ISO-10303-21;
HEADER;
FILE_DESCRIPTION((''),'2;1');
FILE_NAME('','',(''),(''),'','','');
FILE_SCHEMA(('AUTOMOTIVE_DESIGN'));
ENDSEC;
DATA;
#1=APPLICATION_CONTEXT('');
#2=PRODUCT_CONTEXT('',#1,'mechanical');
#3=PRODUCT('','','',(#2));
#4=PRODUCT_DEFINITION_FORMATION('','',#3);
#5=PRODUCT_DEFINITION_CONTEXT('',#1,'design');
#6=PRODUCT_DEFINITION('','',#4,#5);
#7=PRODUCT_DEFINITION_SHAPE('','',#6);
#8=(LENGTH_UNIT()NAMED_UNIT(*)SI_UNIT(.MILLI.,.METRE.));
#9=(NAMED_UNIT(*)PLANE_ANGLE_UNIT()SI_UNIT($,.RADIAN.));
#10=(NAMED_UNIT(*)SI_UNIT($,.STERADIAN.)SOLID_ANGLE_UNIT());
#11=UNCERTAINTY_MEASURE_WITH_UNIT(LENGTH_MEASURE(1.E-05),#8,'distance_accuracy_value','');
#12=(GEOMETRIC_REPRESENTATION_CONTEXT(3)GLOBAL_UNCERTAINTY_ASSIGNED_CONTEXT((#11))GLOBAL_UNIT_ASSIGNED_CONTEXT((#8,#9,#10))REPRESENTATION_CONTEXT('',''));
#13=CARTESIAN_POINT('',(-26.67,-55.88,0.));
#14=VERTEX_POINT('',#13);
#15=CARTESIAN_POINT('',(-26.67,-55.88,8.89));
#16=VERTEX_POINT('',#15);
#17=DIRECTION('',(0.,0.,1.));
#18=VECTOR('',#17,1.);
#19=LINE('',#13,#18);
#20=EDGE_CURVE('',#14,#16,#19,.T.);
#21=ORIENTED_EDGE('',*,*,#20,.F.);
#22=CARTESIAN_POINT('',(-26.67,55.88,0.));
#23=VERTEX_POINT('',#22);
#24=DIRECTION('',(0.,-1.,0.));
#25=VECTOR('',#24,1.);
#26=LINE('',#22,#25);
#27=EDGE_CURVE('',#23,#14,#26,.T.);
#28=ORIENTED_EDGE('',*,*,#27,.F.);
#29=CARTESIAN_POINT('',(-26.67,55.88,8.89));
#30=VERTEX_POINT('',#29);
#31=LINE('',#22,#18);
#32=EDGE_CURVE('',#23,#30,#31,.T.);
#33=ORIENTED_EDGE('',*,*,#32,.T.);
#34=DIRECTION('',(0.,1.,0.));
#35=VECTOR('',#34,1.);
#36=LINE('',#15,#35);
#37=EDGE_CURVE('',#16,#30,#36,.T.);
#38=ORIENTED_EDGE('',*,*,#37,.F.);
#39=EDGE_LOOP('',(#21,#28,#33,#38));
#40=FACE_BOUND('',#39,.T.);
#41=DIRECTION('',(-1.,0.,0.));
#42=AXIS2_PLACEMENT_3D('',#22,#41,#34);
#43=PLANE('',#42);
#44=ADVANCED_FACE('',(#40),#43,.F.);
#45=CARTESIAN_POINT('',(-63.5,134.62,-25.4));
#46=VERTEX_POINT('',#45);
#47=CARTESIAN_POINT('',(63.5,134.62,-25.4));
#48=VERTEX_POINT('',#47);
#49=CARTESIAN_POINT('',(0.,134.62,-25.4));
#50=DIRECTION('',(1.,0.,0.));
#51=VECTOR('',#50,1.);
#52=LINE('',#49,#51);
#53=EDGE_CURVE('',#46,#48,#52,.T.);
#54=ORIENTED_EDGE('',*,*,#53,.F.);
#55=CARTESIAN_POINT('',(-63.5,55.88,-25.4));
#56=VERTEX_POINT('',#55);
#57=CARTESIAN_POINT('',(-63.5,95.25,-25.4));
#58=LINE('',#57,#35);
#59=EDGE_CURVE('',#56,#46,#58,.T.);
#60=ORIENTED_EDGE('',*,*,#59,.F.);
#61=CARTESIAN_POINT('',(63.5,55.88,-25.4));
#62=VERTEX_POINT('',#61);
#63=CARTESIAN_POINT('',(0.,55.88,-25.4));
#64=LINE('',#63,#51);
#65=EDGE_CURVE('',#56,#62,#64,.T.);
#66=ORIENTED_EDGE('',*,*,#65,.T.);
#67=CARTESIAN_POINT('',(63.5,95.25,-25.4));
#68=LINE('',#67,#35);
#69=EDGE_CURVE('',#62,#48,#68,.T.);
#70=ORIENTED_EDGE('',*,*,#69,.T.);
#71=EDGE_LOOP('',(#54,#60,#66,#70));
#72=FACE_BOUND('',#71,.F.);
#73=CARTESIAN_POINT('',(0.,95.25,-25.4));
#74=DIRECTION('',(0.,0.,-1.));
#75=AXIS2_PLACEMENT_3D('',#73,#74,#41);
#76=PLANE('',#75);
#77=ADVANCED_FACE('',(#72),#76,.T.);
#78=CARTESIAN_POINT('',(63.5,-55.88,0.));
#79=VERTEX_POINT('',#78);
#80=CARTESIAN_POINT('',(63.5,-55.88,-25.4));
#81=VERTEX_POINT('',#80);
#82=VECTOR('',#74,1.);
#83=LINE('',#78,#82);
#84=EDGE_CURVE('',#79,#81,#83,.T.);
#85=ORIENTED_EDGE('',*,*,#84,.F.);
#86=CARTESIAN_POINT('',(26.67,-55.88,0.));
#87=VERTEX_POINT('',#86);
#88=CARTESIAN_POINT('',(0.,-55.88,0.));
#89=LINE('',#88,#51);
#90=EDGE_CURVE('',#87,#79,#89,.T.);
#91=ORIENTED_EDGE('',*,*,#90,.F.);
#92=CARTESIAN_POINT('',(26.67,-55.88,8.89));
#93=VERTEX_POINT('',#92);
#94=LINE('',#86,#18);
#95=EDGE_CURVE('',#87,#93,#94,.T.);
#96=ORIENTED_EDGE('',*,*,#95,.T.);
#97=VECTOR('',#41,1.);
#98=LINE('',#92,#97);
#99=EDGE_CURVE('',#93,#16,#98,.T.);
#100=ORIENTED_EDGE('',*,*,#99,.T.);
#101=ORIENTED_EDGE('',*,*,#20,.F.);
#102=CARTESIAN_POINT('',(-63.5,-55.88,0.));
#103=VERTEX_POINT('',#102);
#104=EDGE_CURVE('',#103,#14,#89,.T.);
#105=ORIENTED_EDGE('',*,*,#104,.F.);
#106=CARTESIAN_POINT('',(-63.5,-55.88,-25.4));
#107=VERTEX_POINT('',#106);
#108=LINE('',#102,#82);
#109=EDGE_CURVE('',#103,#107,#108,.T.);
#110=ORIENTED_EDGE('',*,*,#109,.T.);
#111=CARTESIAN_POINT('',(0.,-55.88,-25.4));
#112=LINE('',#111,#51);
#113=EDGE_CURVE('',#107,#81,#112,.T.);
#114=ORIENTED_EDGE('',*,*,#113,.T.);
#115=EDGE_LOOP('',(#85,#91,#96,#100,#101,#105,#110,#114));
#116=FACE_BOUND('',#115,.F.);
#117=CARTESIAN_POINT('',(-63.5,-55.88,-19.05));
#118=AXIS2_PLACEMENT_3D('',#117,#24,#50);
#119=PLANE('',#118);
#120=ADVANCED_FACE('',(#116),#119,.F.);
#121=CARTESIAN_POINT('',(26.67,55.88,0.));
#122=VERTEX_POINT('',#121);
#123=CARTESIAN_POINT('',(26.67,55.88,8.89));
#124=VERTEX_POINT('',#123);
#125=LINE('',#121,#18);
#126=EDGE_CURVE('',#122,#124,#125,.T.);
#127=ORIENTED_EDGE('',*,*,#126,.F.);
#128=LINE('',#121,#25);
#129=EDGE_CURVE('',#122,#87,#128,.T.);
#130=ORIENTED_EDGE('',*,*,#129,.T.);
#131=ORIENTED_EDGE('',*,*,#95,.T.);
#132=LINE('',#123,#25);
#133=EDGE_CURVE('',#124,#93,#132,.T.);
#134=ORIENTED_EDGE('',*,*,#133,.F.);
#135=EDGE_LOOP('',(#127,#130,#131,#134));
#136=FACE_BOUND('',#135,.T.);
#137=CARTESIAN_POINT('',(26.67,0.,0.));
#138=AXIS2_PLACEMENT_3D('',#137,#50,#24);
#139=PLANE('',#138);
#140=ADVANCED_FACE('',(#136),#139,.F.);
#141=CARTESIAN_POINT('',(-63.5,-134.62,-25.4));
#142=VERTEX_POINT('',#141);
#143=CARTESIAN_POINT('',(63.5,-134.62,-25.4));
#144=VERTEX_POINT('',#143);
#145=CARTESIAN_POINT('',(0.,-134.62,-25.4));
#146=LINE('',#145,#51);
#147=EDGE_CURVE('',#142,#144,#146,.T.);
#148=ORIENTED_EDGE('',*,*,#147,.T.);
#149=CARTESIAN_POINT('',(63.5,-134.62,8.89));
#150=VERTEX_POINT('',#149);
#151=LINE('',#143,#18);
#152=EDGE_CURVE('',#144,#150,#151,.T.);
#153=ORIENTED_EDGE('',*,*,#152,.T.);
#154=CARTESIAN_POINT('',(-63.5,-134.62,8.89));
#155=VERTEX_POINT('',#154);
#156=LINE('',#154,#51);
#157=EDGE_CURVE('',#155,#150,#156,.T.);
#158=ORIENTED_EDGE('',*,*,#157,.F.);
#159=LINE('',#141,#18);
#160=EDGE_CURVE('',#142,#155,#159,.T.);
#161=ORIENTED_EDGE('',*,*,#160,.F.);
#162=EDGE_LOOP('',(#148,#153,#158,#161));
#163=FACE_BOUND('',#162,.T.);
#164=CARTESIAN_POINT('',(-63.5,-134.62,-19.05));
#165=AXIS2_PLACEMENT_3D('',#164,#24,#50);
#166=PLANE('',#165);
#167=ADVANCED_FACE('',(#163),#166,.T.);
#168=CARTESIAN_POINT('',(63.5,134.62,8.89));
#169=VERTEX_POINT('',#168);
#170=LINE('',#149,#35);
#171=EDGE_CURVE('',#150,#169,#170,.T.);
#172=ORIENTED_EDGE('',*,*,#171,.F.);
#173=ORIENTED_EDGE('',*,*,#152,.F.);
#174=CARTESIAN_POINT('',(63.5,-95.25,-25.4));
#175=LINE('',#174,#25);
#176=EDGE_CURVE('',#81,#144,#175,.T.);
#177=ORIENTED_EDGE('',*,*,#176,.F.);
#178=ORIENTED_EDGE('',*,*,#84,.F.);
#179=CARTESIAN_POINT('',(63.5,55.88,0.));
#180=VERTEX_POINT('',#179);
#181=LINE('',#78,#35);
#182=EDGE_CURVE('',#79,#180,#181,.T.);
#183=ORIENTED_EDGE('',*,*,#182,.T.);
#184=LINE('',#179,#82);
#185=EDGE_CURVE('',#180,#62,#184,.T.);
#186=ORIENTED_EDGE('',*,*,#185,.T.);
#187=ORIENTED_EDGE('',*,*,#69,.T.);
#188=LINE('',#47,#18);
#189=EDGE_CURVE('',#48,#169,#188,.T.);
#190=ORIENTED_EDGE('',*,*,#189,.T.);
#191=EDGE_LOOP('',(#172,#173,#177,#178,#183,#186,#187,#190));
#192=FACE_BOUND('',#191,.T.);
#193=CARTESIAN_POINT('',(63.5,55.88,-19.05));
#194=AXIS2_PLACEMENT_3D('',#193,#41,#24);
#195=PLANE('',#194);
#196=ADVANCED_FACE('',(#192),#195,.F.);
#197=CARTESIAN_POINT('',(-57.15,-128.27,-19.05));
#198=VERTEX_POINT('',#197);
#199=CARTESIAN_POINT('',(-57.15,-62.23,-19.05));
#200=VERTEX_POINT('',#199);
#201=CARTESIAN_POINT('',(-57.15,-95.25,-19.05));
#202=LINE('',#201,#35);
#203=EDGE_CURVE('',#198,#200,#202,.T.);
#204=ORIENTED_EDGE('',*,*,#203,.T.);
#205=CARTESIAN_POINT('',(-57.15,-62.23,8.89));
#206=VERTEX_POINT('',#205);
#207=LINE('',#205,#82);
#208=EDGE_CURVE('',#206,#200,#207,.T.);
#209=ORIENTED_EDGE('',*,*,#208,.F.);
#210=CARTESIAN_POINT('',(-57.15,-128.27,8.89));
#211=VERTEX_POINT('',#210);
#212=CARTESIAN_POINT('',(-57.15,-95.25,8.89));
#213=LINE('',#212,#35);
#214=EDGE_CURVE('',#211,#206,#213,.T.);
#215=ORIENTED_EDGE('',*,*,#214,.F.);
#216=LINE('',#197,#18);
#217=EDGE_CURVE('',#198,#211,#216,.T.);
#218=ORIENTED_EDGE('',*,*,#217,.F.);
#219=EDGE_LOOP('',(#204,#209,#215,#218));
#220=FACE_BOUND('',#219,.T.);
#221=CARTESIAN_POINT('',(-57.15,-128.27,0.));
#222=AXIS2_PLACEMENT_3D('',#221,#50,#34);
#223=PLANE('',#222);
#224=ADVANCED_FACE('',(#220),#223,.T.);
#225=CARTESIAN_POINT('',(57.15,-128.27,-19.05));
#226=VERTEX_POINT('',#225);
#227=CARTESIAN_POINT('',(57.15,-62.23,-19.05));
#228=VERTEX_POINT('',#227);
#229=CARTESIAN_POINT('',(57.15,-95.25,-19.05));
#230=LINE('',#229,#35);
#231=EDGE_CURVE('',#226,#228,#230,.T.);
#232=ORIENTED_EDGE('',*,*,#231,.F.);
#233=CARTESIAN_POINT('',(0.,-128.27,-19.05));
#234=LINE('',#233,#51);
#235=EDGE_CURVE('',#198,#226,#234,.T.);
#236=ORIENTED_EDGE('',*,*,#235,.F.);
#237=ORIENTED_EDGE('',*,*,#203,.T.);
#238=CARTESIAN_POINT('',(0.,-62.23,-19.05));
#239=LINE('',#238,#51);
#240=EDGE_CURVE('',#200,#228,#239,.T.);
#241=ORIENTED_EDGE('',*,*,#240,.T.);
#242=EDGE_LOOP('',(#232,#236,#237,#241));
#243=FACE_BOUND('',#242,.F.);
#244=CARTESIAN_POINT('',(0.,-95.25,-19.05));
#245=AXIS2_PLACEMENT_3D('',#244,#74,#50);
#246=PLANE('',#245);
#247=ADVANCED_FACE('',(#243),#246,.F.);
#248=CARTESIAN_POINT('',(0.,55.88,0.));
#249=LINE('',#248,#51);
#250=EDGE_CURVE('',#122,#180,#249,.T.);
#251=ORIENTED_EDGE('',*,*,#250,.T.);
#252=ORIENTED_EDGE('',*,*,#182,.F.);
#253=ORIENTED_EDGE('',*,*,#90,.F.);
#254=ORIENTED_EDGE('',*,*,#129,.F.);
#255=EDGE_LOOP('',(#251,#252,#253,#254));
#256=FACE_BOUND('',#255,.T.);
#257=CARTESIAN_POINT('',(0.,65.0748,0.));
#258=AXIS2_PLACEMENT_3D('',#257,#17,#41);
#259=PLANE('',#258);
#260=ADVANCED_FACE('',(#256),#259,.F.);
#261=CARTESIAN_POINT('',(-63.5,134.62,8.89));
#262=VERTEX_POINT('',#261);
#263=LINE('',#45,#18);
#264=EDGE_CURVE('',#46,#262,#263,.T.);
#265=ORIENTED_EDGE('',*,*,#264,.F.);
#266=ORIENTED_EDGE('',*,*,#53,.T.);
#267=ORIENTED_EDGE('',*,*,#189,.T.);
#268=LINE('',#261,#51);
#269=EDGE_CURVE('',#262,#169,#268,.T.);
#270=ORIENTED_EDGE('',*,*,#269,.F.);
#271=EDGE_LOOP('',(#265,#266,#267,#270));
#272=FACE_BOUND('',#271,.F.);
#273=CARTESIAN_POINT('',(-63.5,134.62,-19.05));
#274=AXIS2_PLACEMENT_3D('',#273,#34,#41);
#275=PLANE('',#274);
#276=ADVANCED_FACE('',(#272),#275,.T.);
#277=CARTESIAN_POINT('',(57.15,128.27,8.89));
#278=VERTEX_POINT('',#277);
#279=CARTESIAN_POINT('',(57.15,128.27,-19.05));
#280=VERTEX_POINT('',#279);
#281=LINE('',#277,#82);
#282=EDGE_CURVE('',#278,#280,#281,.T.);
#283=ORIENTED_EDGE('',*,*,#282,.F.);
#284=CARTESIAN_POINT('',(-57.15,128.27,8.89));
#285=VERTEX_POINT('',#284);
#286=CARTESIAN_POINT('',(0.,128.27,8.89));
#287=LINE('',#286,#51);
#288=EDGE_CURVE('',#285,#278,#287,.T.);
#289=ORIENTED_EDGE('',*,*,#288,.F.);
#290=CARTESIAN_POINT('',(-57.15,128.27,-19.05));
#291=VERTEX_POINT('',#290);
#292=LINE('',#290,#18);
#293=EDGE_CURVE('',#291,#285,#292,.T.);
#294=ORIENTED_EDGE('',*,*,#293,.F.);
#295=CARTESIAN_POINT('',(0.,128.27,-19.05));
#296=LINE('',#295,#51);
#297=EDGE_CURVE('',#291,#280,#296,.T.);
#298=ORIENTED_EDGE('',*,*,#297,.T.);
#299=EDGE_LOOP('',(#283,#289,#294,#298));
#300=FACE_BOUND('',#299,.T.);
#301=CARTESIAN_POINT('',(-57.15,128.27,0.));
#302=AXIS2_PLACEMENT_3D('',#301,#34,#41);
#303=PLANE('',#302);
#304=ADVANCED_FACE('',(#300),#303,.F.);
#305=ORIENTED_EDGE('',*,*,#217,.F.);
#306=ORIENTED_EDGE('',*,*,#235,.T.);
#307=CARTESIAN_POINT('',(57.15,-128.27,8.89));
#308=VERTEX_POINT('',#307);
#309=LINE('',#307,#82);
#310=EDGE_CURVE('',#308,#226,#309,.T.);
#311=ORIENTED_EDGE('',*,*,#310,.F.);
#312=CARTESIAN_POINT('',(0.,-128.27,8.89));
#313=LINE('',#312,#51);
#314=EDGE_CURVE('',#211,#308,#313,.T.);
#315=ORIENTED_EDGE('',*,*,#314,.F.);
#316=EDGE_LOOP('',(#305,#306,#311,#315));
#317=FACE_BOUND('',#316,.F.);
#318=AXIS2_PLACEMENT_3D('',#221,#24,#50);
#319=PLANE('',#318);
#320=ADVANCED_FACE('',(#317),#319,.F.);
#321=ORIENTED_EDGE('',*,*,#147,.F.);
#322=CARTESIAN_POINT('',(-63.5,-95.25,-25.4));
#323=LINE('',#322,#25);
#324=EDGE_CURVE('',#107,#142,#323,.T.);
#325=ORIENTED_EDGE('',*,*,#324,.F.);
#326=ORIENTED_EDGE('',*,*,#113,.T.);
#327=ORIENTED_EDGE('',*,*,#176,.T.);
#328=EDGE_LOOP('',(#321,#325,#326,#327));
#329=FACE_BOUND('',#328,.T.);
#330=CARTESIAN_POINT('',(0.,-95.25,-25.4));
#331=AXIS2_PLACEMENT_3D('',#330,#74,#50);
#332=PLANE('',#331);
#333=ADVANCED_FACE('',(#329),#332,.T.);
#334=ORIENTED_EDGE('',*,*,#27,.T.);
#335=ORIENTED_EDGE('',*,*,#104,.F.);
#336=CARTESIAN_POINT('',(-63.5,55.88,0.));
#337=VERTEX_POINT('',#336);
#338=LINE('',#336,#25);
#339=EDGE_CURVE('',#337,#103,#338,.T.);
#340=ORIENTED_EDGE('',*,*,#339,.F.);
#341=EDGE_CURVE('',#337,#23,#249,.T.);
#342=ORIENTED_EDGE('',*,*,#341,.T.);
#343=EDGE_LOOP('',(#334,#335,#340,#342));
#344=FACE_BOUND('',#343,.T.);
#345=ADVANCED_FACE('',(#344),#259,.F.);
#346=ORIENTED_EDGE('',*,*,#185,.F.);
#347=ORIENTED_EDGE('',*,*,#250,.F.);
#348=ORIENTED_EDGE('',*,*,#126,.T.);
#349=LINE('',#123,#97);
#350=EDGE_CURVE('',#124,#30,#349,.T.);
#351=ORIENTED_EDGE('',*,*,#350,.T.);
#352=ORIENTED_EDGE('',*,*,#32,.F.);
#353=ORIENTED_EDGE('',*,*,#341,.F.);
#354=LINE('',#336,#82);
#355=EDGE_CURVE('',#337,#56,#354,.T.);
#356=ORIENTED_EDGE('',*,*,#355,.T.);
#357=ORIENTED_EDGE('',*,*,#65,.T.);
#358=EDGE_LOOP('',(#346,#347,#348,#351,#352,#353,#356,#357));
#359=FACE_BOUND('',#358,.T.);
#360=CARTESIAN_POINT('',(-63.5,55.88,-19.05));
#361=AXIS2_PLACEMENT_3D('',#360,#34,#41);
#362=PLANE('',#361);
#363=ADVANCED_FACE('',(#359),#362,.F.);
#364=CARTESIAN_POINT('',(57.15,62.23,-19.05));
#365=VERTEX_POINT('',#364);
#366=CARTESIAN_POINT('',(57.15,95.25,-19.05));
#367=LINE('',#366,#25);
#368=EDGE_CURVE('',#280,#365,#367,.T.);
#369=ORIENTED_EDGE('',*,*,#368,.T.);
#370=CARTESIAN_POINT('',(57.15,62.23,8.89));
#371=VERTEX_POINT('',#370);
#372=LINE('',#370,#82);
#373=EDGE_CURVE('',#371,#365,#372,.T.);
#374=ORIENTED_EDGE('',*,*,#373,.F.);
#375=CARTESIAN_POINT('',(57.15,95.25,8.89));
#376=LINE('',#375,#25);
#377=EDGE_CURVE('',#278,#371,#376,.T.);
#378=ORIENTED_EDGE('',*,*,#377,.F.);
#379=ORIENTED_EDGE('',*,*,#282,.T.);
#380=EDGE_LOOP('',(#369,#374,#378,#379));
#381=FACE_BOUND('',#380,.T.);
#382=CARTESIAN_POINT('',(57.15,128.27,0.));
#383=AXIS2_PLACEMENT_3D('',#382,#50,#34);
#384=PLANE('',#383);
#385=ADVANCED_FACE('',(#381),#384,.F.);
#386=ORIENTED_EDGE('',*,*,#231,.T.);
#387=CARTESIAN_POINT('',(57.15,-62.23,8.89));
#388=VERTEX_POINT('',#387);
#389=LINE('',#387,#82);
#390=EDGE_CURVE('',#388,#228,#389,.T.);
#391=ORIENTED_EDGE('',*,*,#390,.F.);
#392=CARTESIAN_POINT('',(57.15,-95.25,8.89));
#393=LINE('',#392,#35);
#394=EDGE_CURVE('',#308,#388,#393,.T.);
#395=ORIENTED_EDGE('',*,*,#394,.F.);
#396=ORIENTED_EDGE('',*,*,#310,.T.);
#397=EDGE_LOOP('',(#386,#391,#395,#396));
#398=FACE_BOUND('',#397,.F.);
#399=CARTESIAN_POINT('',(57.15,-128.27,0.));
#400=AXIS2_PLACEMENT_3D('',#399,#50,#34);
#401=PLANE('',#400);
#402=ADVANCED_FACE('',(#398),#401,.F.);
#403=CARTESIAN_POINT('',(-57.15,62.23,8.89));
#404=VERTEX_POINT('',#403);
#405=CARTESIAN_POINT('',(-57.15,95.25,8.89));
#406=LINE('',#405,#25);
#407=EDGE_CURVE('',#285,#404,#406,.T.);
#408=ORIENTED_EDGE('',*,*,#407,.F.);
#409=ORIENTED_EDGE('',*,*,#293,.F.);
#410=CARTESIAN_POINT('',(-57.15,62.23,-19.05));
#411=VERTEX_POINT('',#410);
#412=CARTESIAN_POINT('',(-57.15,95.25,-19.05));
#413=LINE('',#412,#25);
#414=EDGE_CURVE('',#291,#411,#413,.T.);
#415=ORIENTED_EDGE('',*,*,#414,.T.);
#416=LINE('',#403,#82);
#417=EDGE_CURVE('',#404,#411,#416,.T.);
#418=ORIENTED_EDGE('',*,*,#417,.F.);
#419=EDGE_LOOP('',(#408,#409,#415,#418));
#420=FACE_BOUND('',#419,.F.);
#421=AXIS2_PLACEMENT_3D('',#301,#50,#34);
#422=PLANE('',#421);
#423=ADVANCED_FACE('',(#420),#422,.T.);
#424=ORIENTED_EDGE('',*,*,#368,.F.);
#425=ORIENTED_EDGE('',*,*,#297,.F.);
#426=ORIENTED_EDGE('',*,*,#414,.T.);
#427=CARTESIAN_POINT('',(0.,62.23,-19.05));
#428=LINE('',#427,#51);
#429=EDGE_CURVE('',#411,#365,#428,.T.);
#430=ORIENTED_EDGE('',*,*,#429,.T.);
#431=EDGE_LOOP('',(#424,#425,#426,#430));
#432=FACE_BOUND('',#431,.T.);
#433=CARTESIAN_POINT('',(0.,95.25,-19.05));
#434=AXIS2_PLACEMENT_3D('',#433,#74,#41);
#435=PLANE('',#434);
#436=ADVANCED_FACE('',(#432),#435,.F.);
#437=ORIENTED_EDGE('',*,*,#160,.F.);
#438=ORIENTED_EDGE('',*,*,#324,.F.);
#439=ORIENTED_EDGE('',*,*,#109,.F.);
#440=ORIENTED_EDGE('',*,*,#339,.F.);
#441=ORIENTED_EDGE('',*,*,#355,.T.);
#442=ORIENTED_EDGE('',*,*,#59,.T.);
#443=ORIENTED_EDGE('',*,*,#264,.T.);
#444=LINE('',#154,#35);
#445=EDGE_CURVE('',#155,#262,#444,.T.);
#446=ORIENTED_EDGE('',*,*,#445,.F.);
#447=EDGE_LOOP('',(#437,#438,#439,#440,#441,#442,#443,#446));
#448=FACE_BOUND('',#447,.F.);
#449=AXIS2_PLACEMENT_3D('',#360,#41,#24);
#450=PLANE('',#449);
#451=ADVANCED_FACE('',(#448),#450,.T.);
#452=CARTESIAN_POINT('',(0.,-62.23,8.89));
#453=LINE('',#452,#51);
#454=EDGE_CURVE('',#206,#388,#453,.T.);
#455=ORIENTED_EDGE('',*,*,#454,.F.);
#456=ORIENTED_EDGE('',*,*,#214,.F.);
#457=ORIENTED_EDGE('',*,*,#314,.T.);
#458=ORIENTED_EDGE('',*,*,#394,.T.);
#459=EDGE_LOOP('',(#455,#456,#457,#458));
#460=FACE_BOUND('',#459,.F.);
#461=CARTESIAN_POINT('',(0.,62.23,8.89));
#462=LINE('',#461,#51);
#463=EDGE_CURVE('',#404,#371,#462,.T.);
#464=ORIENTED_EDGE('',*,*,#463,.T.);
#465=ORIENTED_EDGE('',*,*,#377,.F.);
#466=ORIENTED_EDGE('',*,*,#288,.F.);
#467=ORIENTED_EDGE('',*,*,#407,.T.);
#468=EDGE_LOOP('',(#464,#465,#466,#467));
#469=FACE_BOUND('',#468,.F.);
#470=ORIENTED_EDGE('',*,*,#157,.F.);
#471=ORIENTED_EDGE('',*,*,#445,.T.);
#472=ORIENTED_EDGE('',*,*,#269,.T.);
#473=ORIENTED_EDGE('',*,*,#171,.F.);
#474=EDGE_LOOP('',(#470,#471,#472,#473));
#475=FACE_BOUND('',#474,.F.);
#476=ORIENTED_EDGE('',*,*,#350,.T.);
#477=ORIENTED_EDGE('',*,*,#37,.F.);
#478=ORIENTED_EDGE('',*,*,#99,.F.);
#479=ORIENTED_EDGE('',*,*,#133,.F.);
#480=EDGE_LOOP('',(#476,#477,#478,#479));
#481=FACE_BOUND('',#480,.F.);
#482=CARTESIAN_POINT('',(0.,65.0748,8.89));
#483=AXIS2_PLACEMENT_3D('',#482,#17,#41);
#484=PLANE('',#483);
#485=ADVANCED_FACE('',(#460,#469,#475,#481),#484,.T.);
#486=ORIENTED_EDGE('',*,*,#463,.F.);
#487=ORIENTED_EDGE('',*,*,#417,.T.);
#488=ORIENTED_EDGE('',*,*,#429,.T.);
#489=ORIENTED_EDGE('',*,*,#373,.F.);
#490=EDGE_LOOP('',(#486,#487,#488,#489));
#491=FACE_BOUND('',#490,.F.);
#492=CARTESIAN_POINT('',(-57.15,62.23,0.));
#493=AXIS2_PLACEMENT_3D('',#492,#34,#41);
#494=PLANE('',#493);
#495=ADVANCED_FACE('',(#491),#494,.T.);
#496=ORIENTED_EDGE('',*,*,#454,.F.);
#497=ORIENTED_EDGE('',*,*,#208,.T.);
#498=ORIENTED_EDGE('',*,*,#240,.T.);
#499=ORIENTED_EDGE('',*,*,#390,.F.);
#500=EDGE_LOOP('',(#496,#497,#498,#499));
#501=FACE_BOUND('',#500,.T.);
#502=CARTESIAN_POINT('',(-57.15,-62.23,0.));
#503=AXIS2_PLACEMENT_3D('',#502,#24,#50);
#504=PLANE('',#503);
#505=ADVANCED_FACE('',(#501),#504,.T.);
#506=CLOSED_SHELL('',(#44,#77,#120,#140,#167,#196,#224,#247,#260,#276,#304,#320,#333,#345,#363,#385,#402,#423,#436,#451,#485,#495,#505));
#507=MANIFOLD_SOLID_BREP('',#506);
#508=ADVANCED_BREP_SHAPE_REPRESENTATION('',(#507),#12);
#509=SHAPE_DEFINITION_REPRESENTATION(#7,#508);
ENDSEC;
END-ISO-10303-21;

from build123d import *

# Parameters (mm, degrees)
F1_W     = 114.3
F1_H     = 66.04
F2_DEPTH = 8.89
F3_W     = 127
F3_H     = 78.74
F3_W_2   = 114.3
F3_H_2   = 66.04
F4_DEPTH = 19.05
F5_W     = 127
F5_H     = 78.74
F6_DEPTH = 6.35


with BuildPart() as f2:
    # F1 (on Top) → F2 (new body)
    with BuildSketch(Plane.XY):
        Polygon((-63.5, 0), (-63.5, -55.88), (-63.5, -134.62), (63.5, -134.62), (63.5, -55.88), (63.5, 0), (26.67, 0), (26.67, -55.88), (-26.67, -55.88), (-26.67, 0), align=None)
        with Locations((0, -95.25)):
            Rectangle(F1_W, F1_H, mode=Mode.SUBTRACT)
    extrude(amount=F2_DEPTH)

    # F3 (on Top) → F4 (join)
    with BuildSketch(Plane.XY):
        with Locations((0, -95.25)):
            Rectangle(F3_W, F3_H)
        with Locations((0, -95.25)):
            Rectangle(F3_W_2, F3_H_2, mode=Mode.SUBTRACT)
    extrude(amount=-F4_DEPTH)

    # F5 (on face) → F6 (join)
    with BuildSketch(Plane(origin=(0, 0, -19.05), x_dir=(1, 0, 0), z_dir=(0, 0, -1))):
        with Locations((0, 95.25)):
            Rectangle(F5_W, F5_H)
    extrude(amount=F6_DEPTH)

    # F7: F2 across plane


with BuildPart() as f2_1:
    add(f2.part)
    add(f2.part.mirror(Plane.XZ))


solid = f2_1.part
